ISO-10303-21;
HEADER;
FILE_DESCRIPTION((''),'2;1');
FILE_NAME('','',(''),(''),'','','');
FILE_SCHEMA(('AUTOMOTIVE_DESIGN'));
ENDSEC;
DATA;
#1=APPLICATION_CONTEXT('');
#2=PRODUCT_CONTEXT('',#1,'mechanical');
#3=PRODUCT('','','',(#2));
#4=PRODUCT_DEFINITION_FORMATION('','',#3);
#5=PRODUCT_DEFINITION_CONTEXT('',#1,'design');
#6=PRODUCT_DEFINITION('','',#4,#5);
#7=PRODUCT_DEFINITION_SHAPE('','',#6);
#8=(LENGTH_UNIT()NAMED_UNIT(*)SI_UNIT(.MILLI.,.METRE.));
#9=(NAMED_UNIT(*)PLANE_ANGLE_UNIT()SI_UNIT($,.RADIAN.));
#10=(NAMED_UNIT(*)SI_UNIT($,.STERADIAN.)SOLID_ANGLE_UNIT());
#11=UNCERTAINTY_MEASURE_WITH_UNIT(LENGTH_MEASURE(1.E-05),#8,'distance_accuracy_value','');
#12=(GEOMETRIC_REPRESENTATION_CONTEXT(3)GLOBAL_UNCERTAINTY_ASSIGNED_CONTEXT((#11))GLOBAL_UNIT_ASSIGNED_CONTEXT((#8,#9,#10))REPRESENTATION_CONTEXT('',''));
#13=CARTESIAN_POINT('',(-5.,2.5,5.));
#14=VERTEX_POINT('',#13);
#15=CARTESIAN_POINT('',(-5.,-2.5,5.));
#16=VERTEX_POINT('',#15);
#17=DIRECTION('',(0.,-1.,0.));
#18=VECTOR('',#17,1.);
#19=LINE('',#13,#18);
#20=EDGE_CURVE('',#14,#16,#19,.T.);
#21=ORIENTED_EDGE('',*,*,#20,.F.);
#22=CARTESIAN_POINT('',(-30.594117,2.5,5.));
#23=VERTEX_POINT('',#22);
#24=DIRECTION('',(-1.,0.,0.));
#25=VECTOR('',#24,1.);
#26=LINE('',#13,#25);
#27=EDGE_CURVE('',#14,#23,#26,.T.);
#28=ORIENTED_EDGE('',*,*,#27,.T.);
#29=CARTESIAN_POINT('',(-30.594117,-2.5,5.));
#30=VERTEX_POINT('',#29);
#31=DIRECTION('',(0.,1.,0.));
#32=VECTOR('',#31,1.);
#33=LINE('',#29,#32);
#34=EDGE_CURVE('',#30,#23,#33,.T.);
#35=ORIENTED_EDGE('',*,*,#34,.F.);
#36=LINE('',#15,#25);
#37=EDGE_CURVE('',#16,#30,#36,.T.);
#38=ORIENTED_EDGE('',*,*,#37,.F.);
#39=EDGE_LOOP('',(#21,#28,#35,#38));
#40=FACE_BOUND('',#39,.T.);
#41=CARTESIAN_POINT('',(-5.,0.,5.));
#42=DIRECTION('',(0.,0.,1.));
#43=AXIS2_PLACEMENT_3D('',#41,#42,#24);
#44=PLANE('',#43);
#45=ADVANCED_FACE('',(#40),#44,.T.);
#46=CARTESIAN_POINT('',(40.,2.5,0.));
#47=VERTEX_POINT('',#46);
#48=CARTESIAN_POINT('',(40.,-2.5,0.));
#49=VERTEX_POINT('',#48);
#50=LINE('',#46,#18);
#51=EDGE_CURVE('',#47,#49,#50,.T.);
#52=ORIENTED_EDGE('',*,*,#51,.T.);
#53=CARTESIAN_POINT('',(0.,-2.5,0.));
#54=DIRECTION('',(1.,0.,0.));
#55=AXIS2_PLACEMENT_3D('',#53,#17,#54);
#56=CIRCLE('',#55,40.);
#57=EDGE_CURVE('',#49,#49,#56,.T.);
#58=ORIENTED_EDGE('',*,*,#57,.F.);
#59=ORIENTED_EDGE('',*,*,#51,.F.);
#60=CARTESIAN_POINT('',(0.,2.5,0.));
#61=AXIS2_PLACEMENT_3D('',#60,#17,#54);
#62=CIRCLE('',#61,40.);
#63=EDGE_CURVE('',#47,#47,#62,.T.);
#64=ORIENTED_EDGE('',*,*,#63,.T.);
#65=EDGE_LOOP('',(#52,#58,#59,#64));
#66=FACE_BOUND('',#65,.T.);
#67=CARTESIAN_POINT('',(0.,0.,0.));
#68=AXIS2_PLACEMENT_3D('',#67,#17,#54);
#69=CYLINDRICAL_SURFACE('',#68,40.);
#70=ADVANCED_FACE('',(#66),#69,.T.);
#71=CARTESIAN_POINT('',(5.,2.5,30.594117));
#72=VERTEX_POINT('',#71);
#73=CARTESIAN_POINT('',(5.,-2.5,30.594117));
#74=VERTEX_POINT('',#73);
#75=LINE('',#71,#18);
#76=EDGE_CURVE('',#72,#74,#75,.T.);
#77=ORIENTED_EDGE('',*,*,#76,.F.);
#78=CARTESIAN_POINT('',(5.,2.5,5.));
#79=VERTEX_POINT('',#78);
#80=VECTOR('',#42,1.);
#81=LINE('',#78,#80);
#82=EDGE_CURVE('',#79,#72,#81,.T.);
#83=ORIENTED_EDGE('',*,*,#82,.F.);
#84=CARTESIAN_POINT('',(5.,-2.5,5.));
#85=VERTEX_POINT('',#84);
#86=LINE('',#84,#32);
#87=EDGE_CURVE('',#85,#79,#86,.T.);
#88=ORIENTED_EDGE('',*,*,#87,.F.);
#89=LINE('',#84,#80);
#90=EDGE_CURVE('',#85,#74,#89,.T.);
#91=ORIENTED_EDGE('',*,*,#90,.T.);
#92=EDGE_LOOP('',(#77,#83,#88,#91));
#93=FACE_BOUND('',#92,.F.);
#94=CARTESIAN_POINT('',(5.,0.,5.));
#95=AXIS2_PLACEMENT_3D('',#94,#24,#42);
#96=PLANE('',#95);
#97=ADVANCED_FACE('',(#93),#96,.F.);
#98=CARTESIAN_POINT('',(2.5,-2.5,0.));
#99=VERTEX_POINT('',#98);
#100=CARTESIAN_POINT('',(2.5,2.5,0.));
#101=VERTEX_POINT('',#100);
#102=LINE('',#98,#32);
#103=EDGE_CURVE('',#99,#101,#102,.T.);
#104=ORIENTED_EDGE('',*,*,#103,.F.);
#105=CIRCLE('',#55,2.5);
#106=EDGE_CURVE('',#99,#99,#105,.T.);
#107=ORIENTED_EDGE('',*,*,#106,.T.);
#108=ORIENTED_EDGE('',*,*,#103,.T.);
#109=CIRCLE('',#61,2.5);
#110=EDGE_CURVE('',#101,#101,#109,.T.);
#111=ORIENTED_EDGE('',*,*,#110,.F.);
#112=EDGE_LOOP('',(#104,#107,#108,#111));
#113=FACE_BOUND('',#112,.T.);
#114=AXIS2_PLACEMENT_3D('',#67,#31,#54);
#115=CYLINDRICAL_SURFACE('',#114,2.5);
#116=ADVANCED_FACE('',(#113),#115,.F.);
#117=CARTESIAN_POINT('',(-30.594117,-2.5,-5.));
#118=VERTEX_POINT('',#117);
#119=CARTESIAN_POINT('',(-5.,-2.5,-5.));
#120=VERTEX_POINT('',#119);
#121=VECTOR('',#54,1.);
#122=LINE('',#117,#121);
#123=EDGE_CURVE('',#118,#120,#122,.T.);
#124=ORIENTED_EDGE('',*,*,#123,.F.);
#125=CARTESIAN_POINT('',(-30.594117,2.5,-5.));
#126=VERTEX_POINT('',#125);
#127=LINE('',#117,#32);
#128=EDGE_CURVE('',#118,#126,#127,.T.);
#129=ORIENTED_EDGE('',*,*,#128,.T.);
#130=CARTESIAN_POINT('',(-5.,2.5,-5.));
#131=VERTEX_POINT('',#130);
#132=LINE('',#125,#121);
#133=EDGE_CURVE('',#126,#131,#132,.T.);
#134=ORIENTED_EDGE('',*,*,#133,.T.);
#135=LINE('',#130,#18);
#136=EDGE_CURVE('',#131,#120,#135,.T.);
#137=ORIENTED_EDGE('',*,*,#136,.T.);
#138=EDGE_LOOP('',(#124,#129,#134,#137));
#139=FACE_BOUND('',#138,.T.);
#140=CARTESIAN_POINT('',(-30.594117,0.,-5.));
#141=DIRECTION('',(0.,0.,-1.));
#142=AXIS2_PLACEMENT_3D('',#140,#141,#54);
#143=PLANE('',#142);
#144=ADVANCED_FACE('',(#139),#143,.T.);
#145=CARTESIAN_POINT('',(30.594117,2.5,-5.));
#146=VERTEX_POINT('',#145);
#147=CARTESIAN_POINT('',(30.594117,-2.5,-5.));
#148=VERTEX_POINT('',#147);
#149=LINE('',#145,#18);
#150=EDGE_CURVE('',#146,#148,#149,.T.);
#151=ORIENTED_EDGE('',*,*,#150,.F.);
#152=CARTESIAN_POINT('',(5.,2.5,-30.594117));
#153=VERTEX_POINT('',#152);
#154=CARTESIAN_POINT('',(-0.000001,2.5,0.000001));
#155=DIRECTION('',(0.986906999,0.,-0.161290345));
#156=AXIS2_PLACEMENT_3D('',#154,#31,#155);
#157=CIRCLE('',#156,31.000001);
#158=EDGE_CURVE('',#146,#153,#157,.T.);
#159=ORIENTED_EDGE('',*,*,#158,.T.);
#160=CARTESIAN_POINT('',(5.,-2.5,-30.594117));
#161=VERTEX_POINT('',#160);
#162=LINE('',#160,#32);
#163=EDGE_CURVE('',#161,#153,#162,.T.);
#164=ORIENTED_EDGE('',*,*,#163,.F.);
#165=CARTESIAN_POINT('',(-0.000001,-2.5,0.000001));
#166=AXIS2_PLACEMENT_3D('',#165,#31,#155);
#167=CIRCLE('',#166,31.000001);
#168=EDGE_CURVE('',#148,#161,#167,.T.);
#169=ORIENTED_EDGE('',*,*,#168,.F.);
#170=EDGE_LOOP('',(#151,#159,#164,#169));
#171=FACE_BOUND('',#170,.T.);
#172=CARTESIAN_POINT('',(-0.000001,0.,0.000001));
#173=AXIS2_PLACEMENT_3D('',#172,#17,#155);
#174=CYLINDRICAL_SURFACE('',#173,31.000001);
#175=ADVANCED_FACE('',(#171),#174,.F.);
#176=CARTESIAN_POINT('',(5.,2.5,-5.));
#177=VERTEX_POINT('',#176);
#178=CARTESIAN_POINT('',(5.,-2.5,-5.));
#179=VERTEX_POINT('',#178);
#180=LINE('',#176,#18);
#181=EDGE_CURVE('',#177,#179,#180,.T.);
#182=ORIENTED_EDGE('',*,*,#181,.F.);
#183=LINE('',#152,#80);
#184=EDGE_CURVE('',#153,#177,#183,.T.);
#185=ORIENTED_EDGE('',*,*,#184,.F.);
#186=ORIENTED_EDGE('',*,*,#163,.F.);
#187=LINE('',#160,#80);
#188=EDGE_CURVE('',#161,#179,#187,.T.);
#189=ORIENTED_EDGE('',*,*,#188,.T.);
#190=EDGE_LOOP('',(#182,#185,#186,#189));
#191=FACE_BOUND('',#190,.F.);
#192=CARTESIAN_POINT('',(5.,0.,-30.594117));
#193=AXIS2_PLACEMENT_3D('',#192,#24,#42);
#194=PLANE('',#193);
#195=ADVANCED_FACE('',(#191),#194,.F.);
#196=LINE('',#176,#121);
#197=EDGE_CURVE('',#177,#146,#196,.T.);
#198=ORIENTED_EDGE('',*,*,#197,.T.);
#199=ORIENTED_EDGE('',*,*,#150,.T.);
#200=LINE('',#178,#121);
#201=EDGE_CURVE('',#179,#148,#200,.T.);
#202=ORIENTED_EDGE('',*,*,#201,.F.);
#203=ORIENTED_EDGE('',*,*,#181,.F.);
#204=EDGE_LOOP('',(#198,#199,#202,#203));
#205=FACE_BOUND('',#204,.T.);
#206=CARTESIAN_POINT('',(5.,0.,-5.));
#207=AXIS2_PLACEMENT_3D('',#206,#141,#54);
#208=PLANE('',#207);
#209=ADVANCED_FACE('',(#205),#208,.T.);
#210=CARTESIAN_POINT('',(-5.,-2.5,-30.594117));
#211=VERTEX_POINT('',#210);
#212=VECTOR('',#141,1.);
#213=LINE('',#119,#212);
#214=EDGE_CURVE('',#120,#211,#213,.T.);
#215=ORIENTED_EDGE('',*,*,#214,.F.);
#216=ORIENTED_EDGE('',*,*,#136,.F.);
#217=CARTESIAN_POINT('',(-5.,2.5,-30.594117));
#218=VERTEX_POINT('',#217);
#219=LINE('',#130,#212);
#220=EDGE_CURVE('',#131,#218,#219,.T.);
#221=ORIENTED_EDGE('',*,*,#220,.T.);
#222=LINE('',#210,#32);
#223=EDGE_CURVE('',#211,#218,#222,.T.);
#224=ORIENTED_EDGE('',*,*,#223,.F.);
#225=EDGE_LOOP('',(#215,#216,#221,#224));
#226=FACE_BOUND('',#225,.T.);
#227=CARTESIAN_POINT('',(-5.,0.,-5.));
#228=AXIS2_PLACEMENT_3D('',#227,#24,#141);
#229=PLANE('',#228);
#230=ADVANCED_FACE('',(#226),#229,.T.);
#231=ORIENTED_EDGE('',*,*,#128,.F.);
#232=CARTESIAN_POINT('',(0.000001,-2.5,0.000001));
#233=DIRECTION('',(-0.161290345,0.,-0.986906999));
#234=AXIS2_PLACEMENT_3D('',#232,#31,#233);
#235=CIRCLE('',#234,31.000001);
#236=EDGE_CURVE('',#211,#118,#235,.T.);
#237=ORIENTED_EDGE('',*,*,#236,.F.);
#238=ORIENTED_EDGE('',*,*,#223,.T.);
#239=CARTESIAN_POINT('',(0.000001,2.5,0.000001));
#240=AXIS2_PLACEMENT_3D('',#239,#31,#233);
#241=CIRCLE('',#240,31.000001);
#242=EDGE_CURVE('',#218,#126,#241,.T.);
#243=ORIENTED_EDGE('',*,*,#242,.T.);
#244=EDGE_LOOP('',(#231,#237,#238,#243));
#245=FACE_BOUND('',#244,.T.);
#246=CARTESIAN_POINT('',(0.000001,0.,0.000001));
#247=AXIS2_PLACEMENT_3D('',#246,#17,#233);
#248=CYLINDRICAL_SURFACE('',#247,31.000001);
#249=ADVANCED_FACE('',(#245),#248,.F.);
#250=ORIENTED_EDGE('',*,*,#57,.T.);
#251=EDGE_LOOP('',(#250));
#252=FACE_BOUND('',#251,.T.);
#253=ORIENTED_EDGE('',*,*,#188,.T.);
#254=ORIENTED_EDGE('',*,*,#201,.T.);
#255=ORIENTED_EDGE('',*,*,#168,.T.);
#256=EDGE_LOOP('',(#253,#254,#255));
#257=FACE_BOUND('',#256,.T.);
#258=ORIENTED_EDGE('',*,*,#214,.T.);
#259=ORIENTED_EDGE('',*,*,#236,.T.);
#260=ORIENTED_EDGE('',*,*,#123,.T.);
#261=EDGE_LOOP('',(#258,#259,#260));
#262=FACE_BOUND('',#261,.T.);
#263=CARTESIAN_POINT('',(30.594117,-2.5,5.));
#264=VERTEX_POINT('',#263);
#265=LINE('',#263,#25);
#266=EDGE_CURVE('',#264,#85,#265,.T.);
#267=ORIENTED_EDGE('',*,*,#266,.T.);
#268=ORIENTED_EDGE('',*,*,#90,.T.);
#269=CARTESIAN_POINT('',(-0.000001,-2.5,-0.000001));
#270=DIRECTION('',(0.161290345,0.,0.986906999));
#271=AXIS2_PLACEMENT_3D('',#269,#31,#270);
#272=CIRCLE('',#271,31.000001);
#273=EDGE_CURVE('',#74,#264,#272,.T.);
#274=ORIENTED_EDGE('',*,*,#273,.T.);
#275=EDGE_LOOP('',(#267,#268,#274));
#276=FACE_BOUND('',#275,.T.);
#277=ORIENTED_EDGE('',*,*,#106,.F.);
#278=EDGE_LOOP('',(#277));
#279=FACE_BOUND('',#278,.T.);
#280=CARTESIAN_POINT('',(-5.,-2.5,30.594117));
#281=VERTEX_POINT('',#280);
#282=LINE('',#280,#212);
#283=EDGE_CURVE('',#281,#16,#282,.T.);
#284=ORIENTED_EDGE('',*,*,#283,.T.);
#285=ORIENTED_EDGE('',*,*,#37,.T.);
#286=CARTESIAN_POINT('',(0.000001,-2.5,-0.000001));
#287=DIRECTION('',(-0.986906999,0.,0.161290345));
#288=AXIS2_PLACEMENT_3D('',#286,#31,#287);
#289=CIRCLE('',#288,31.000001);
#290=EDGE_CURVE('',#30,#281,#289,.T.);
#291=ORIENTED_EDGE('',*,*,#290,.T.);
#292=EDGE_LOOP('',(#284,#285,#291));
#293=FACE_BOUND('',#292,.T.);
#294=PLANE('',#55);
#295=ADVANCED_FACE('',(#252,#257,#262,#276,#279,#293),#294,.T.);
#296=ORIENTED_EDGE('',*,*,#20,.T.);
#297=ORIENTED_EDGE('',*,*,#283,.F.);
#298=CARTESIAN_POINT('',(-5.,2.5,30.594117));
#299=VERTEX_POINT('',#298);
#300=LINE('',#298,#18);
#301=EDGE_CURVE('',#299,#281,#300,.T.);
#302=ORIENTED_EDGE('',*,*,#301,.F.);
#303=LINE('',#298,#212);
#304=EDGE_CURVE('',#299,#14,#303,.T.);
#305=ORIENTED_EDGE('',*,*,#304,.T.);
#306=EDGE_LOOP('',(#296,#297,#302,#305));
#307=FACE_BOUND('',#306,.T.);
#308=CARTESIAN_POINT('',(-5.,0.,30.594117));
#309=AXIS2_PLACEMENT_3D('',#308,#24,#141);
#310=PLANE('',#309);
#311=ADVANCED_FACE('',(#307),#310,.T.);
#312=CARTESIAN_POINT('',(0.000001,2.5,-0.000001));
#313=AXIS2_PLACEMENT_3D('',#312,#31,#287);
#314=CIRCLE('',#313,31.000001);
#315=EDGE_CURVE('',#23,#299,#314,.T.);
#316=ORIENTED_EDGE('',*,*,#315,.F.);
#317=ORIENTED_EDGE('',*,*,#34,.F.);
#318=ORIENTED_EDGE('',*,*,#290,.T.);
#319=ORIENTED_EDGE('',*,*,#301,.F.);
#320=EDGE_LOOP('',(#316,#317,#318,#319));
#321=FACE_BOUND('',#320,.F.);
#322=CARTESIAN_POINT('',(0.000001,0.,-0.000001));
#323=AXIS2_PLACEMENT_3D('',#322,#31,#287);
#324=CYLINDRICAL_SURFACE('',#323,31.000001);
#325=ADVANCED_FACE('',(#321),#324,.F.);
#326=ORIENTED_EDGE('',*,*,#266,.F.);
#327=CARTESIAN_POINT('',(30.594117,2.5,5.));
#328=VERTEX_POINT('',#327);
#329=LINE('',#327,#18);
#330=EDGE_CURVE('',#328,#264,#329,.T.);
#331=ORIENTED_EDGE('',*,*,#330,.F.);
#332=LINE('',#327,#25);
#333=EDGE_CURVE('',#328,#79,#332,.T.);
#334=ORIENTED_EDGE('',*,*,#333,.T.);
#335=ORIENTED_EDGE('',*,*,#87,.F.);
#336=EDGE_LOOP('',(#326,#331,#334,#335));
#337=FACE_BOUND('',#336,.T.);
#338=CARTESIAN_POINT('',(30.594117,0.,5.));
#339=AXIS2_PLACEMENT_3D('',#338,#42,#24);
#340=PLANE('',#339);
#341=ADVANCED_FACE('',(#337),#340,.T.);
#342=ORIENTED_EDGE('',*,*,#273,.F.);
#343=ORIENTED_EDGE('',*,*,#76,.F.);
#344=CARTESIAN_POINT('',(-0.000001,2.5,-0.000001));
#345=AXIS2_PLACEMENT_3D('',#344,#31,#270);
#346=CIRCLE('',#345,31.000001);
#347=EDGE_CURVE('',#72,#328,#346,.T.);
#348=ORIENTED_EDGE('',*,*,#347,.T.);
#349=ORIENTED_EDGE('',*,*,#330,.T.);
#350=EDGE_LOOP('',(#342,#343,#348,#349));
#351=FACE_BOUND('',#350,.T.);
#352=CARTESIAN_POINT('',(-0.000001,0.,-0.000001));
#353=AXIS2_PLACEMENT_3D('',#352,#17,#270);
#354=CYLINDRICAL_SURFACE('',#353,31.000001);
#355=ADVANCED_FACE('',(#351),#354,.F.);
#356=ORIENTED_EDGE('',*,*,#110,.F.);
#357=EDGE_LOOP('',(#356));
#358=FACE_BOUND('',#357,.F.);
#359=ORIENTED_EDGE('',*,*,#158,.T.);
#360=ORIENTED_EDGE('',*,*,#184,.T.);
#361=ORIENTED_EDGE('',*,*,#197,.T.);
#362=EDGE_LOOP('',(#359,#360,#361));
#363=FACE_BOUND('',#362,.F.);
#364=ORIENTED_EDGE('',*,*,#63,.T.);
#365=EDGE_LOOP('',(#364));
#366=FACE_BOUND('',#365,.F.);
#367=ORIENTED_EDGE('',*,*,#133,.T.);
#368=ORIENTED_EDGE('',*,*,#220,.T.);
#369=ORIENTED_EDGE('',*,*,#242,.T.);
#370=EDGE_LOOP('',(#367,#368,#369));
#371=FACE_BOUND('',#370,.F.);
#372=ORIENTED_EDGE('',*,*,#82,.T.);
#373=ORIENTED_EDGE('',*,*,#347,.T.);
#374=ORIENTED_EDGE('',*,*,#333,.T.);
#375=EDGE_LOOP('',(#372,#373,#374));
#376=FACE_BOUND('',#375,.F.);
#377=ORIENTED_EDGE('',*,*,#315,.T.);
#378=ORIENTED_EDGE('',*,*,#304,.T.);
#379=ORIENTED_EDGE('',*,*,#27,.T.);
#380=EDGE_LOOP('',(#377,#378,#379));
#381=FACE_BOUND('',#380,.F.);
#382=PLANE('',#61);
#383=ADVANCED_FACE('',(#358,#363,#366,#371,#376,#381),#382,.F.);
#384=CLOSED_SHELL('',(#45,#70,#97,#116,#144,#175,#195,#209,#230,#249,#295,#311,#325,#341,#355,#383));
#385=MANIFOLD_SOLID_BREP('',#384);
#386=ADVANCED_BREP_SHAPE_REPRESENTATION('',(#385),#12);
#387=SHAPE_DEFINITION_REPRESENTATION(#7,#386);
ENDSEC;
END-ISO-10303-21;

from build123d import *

# Parameters (mm, degrees)
F0_R     = 40
F0_R_2   = 2.5
F1_DEPTH = 2.5


with BuildPart() as f1:
    # F0 (on Front) → F1 (new body, symmetric)
    with BuildSketch(Plane.XZ):
        Circle(F0_R)
        with BuildLine():
            Line((-5.59017, -5), (-5, -5))
            Line((-5, -5), (-5, -5.59017))
            Line((-5, -5.59017), (-5, -30.594117))
            ThreePointArc((-5, -30.594117), (-21.92031, -21.92031), (-30.594117, -5))
            Line((-30.594117, -5), (-5.59017, -5))
        make_face(mode=Mode.SUBTRACT)
        with BuildLine():
            Line((5, -30.594117), (5, -5.59017))
            Line((5, -5.59017), (5, -5))
            Line((5, -5), (5.59017, -5))
            Line((5.59017, -5), (30.594117, -5))
            ThreePointArc((30.594117, -5), (21.92031, -21.92031), (5, -30.594117))
        make_face(mode=Mode.SUBTRACT)
        with BuildLine():
            ThreePointArc((-30.594117, 5), (-21.92031, 21.92031), (-5, 30.594117))
            Line((-5, 30.594117), (-5, 5.59017))
            Line((-5, 5.59017), (-5, 5))
            Line((-5, 5), (-5.59017, 5))
            Line((-5.59017, 5), (-30.594117, 5))
        make_face(mode=Mode.SUBTRACT)
        Circle(F0_R_2, mode=Mode.SUBTRACT)
        with BuildLine():
            Line((5.59017, 5), (5, 5))
            Line((5, 5), (5, 5.59017))
            Line((5, 5.59017), (5, 30.594117))
            ThreePointArc((5, 30.594117), (21.92031, 21.92031), (30.594117, 5))
            Line((30.594117, 5), (5.59017, 5))
        make_face(mode=Mode.SUBTRACT)
    extrude(amount=F1_DEPTH, both=True)


solid = f1.part
